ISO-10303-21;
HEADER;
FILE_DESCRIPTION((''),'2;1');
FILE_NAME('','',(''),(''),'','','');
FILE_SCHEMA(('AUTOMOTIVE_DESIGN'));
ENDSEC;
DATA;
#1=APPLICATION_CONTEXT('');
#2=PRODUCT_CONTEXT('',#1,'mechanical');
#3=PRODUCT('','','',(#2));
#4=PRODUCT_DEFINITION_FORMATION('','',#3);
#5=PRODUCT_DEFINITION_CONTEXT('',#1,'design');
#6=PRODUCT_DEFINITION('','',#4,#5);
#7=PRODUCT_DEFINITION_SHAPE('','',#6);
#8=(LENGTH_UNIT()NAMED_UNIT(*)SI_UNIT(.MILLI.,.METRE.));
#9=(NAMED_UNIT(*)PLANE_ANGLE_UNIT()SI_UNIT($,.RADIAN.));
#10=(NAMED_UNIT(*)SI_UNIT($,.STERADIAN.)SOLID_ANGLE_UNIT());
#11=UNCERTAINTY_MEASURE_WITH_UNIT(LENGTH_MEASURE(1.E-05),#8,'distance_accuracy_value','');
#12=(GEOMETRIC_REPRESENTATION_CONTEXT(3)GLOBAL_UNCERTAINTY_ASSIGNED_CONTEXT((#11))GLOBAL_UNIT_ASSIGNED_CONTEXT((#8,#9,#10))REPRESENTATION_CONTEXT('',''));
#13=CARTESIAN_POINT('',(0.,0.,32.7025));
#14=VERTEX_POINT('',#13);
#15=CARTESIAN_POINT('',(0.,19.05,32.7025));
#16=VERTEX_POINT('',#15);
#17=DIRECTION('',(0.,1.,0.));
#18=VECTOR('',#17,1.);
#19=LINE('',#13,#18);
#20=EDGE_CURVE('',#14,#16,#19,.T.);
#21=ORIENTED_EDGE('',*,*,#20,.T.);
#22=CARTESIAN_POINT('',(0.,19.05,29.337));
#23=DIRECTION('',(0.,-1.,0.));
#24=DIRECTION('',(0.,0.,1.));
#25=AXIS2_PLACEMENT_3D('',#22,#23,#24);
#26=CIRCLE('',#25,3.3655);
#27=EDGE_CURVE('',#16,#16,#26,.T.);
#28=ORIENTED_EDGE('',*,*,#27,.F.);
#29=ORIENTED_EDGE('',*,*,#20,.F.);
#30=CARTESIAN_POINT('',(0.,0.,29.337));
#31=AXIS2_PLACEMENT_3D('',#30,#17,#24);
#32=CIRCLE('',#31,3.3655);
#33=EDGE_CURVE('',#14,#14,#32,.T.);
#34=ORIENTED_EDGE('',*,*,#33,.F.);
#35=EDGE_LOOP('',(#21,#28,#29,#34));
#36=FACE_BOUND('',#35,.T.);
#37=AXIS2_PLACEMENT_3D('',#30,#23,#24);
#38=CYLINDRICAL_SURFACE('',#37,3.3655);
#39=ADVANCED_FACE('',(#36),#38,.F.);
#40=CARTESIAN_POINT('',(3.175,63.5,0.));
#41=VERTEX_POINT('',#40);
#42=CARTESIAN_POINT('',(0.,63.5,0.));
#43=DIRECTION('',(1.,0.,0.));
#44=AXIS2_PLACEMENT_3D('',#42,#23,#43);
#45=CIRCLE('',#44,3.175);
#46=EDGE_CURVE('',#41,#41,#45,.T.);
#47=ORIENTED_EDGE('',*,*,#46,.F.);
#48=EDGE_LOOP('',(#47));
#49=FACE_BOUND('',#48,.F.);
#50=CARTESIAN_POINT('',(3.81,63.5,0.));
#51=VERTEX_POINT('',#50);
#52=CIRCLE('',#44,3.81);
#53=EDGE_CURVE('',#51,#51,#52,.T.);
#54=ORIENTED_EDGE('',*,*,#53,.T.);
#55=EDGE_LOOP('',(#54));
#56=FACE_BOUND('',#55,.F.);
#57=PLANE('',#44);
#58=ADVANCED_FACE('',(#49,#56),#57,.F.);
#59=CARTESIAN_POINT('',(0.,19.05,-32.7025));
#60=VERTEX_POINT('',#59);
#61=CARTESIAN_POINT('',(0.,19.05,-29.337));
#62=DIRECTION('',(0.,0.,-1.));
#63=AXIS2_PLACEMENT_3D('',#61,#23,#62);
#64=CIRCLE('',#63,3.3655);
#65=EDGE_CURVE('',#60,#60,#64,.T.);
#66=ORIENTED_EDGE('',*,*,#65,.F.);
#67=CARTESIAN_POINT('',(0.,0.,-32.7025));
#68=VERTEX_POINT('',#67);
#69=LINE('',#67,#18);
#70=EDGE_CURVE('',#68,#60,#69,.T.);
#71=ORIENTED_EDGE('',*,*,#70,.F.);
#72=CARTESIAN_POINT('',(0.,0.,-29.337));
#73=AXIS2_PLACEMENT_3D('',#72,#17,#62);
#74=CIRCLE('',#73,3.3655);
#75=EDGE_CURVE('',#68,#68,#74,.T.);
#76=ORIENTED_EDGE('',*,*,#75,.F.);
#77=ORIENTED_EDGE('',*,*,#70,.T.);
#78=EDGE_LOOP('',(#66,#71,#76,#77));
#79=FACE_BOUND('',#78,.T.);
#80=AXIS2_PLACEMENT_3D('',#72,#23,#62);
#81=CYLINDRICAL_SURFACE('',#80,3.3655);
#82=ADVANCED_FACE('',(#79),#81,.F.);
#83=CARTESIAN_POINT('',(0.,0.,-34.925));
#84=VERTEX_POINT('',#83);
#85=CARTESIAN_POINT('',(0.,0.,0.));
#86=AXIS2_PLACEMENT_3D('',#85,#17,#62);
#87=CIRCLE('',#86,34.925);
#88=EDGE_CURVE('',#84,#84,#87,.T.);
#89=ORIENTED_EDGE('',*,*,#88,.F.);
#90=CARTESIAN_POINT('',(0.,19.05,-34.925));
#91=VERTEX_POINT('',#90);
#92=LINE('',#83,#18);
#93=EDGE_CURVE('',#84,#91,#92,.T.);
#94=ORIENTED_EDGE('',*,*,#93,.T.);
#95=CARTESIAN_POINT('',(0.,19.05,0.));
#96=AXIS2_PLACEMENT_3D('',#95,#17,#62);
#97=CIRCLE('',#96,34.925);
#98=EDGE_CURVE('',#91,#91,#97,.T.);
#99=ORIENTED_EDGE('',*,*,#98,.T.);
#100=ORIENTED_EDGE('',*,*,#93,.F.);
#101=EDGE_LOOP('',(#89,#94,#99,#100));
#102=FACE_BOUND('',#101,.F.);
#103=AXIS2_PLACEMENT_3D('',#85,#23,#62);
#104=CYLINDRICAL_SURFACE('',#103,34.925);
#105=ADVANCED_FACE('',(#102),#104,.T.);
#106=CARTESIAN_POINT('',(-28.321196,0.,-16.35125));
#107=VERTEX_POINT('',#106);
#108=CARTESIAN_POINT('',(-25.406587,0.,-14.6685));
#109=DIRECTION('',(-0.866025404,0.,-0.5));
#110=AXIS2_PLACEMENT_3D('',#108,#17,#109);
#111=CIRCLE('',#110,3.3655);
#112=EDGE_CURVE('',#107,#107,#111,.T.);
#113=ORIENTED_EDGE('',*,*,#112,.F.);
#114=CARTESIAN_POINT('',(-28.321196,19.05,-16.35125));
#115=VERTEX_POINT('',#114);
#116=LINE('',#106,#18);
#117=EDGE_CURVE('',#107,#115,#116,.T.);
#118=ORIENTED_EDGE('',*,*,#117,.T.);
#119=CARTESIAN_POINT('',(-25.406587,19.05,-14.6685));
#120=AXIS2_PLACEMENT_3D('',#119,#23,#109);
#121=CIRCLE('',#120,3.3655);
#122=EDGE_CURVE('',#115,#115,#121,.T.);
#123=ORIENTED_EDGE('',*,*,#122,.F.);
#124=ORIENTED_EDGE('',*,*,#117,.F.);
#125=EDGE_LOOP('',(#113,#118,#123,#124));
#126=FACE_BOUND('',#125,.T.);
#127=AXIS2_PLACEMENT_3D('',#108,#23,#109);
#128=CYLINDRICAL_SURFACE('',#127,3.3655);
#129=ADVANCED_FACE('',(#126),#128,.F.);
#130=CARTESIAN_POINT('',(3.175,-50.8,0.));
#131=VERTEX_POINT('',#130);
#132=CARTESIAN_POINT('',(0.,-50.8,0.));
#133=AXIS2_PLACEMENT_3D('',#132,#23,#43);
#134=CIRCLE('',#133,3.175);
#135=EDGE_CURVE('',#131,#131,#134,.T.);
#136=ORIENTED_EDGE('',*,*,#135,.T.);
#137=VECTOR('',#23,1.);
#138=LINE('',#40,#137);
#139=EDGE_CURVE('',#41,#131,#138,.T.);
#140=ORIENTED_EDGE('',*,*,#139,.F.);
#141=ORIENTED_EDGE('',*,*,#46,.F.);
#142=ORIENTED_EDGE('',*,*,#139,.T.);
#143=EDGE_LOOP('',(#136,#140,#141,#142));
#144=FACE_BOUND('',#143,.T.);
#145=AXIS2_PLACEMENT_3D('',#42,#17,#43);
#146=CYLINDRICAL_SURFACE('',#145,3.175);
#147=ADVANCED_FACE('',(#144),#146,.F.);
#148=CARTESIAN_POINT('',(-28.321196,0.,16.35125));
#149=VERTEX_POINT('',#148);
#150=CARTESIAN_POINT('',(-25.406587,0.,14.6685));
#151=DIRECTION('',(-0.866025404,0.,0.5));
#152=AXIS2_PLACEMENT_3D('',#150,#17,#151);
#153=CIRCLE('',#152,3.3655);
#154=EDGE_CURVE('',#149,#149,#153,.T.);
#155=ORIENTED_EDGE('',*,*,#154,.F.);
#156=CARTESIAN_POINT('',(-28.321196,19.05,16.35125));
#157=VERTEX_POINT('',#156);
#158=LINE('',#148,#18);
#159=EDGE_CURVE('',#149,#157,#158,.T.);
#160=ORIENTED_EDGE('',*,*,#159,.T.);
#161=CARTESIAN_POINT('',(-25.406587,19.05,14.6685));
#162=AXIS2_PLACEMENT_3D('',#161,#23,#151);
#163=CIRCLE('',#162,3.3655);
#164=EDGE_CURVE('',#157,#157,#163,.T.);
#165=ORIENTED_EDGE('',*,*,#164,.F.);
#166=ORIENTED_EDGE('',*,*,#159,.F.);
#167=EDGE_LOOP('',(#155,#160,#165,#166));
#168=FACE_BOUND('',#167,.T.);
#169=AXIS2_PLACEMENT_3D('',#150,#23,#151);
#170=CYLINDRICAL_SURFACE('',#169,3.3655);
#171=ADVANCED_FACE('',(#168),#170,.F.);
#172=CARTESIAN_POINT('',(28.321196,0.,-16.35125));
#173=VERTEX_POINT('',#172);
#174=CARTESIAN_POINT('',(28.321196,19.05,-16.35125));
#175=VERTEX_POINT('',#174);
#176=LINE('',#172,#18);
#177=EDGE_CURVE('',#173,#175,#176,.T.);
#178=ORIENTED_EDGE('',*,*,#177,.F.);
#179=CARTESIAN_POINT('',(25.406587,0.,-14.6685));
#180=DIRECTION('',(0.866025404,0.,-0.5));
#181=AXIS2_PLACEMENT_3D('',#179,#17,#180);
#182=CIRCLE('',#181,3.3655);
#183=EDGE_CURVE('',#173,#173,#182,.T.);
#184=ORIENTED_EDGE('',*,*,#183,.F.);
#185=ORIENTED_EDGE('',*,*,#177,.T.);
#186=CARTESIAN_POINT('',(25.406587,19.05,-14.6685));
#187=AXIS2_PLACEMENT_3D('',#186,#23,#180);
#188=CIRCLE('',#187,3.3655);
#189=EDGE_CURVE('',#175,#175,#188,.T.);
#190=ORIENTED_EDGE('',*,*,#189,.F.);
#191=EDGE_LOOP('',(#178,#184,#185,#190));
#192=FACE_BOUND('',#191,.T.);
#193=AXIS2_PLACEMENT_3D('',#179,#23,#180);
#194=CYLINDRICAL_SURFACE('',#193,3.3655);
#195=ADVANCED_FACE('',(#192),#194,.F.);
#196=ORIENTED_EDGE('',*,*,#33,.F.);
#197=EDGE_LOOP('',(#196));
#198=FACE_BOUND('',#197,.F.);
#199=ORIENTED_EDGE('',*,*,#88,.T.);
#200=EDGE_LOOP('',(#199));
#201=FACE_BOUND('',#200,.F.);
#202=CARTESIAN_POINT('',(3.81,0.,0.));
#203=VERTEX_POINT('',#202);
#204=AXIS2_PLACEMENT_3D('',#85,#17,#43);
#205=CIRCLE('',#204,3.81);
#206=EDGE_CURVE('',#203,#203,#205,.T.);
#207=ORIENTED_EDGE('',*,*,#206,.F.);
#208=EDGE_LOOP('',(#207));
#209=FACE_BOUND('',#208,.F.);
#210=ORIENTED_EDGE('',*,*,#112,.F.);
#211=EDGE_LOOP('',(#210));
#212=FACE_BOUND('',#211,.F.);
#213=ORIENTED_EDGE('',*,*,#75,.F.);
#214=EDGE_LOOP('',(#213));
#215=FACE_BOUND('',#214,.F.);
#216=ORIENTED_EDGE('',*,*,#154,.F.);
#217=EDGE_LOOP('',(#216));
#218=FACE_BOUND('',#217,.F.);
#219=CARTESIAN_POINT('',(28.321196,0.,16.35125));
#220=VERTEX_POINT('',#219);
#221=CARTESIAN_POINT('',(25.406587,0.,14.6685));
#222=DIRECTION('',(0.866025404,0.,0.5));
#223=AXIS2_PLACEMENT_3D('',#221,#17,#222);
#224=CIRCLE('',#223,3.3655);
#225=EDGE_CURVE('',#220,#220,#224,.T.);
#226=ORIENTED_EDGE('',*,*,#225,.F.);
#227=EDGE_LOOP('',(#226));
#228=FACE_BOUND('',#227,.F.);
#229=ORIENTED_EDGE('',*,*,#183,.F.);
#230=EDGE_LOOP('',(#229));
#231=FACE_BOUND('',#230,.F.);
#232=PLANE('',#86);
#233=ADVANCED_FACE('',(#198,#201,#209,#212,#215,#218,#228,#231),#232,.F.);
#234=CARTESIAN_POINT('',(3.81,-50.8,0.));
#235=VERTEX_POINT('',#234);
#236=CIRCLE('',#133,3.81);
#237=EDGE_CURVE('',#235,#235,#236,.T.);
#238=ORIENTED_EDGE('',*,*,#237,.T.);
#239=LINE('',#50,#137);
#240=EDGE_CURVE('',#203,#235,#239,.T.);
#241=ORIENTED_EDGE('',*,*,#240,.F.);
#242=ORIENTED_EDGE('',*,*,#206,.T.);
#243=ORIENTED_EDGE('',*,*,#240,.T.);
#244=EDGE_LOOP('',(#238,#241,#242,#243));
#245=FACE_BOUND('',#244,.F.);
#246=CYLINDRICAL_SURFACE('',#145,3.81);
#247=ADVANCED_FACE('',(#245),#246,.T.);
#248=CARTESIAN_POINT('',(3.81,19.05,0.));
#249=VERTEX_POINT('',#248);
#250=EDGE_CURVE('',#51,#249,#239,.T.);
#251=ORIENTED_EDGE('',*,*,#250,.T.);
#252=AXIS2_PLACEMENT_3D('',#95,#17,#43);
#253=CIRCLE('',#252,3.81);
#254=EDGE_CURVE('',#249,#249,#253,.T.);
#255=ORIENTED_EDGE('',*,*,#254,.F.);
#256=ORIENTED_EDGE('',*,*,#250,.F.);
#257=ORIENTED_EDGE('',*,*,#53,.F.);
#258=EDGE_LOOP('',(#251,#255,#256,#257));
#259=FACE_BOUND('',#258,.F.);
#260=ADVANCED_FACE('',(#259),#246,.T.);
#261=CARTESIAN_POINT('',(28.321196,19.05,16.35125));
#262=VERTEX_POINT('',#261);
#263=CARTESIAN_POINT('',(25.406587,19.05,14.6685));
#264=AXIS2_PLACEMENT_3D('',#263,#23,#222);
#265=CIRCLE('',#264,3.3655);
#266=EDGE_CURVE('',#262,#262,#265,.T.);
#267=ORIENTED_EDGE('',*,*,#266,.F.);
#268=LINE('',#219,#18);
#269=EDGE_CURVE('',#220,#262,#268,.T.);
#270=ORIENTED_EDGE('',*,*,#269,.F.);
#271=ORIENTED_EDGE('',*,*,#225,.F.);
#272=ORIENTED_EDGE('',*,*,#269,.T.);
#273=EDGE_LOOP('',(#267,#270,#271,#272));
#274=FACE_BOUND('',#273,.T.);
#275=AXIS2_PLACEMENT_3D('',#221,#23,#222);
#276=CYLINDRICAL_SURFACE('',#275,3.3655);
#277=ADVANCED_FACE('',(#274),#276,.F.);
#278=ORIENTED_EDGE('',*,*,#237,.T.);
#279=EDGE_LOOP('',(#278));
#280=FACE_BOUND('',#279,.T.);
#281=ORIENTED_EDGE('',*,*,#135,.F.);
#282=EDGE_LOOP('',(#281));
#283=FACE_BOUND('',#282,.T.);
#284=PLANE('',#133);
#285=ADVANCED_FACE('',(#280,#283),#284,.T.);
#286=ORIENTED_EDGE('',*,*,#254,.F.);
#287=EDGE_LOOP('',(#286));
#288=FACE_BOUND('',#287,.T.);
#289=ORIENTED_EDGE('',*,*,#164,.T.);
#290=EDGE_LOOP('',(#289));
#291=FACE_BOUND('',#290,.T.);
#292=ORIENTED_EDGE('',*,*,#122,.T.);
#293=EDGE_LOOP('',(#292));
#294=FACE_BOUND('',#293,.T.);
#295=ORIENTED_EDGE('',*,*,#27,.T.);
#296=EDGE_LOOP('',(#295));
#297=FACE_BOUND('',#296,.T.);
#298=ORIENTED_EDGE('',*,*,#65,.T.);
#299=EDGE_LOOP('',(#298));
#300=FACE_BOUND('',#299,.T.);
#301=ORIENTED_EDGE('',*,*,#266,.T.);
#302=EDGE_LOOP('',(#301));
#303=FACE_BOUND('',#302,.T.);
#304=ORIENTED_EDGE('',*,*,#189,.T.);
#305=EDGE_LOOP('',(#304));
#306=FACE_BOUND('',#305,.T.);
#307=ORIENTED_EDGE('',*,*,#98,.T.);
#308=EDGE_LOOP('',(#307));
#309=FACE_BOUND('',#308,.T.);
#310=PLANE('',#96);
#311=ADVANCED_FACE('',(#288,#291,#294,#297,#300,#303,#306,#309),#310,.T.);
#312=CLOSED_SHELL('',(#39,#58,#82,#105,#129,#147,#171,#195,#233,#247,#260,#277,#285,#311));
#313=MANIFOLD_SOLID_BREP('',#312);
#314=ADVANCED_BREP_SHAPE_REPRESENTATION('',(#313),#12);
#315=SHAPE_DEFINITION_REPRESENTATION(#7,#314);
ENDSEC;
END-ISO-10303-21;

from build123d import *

# Parameters (mm, degrees)
SKETCH1_R                = 34.925
EXTRUDE1_DEPTH           = 19.05
SKETCH2_R                = 3.175
CUT_EXTRUDE1_DEPTH       = 53.937829102
SKETCH3_R                = 3.3655
CUT_EXTRUDE2_DEPTH       = 53.937829102
CIRPATTERN1_COUNT        = 6
EXTRUDE_THIN1_DEPTH      = 50.8
EXTRUDE_THIN1_DEPTH_BACK = 63.5
SKETCH5_R                = 3.81
SKETCH5_R_2              = 3.175


with BuildPart() as part:
    # Sketch1 → Extrude1 (new body)
    with BuildSketch(Plane(origin=(0, 0, 0), x_dir=(1, 0, 0), z_dir=(0, 1, 0))):
        Circle(SKETCH1_R)
    extrude(amount=EXTRUDE1_DEPTH)

    # Sketch2 → Cut-Extrude1 (cut, through all)
    with BuildSketch(Plane(origin=(0, 0, 0), x_dir=(1, 0, 0), z_dir=(0, 1, 0))):
        Circle(SKETCH2_R)
    extrude(amount=CUT_EXTRUDE1_DEPTH, mode=Mode.SUBTRACT)

    # Sketch3 → Cut-Extrude2 (cut, through all)
    with BuildSketch(Plane(origin=(0, 0, 0), x_dir=(1, 0, 0), z_dir=(0, 1, 0))):
        with Locations((0, 29.337)):
            Circle(SKETCH3_R)
    cut_extrude2 = extrude(amount=CUT_EXTRUDE2_DEPTH, mode=Mode.SUBTRACT)

    # CirPattern1: Cut-Extrude2 ×6 about axis
    cirpattern1_axis = Axis((0, 35.858162691, 0), (0, -1, 0))
    for i in range(1, CIRPATTERN1_COUNT):
        add(cut_extrude2.rotate(cirpattern1_axis, i * 360 / CIRPATTERN1_COUNT), mode=Mode.SUBTRACT)

    # Sketch5 → Extrude-Thin1 (add, two sides: drawn at the far end of the back side and taken through both)
    with BuildSketch(Plane.XZ.offset(-EXTRUDE_THIN1_DEPTH_BACK)):
        Circle(SKETCH5_R)
        Circle(SKETCH5_R_2, mode=Mode.SUBTRACT)
    extrude(amount=EXTRUDE_THIN1_DEPTH + EXTRUDE_THIN1_DEPTH_BACK)


solid = part.part
